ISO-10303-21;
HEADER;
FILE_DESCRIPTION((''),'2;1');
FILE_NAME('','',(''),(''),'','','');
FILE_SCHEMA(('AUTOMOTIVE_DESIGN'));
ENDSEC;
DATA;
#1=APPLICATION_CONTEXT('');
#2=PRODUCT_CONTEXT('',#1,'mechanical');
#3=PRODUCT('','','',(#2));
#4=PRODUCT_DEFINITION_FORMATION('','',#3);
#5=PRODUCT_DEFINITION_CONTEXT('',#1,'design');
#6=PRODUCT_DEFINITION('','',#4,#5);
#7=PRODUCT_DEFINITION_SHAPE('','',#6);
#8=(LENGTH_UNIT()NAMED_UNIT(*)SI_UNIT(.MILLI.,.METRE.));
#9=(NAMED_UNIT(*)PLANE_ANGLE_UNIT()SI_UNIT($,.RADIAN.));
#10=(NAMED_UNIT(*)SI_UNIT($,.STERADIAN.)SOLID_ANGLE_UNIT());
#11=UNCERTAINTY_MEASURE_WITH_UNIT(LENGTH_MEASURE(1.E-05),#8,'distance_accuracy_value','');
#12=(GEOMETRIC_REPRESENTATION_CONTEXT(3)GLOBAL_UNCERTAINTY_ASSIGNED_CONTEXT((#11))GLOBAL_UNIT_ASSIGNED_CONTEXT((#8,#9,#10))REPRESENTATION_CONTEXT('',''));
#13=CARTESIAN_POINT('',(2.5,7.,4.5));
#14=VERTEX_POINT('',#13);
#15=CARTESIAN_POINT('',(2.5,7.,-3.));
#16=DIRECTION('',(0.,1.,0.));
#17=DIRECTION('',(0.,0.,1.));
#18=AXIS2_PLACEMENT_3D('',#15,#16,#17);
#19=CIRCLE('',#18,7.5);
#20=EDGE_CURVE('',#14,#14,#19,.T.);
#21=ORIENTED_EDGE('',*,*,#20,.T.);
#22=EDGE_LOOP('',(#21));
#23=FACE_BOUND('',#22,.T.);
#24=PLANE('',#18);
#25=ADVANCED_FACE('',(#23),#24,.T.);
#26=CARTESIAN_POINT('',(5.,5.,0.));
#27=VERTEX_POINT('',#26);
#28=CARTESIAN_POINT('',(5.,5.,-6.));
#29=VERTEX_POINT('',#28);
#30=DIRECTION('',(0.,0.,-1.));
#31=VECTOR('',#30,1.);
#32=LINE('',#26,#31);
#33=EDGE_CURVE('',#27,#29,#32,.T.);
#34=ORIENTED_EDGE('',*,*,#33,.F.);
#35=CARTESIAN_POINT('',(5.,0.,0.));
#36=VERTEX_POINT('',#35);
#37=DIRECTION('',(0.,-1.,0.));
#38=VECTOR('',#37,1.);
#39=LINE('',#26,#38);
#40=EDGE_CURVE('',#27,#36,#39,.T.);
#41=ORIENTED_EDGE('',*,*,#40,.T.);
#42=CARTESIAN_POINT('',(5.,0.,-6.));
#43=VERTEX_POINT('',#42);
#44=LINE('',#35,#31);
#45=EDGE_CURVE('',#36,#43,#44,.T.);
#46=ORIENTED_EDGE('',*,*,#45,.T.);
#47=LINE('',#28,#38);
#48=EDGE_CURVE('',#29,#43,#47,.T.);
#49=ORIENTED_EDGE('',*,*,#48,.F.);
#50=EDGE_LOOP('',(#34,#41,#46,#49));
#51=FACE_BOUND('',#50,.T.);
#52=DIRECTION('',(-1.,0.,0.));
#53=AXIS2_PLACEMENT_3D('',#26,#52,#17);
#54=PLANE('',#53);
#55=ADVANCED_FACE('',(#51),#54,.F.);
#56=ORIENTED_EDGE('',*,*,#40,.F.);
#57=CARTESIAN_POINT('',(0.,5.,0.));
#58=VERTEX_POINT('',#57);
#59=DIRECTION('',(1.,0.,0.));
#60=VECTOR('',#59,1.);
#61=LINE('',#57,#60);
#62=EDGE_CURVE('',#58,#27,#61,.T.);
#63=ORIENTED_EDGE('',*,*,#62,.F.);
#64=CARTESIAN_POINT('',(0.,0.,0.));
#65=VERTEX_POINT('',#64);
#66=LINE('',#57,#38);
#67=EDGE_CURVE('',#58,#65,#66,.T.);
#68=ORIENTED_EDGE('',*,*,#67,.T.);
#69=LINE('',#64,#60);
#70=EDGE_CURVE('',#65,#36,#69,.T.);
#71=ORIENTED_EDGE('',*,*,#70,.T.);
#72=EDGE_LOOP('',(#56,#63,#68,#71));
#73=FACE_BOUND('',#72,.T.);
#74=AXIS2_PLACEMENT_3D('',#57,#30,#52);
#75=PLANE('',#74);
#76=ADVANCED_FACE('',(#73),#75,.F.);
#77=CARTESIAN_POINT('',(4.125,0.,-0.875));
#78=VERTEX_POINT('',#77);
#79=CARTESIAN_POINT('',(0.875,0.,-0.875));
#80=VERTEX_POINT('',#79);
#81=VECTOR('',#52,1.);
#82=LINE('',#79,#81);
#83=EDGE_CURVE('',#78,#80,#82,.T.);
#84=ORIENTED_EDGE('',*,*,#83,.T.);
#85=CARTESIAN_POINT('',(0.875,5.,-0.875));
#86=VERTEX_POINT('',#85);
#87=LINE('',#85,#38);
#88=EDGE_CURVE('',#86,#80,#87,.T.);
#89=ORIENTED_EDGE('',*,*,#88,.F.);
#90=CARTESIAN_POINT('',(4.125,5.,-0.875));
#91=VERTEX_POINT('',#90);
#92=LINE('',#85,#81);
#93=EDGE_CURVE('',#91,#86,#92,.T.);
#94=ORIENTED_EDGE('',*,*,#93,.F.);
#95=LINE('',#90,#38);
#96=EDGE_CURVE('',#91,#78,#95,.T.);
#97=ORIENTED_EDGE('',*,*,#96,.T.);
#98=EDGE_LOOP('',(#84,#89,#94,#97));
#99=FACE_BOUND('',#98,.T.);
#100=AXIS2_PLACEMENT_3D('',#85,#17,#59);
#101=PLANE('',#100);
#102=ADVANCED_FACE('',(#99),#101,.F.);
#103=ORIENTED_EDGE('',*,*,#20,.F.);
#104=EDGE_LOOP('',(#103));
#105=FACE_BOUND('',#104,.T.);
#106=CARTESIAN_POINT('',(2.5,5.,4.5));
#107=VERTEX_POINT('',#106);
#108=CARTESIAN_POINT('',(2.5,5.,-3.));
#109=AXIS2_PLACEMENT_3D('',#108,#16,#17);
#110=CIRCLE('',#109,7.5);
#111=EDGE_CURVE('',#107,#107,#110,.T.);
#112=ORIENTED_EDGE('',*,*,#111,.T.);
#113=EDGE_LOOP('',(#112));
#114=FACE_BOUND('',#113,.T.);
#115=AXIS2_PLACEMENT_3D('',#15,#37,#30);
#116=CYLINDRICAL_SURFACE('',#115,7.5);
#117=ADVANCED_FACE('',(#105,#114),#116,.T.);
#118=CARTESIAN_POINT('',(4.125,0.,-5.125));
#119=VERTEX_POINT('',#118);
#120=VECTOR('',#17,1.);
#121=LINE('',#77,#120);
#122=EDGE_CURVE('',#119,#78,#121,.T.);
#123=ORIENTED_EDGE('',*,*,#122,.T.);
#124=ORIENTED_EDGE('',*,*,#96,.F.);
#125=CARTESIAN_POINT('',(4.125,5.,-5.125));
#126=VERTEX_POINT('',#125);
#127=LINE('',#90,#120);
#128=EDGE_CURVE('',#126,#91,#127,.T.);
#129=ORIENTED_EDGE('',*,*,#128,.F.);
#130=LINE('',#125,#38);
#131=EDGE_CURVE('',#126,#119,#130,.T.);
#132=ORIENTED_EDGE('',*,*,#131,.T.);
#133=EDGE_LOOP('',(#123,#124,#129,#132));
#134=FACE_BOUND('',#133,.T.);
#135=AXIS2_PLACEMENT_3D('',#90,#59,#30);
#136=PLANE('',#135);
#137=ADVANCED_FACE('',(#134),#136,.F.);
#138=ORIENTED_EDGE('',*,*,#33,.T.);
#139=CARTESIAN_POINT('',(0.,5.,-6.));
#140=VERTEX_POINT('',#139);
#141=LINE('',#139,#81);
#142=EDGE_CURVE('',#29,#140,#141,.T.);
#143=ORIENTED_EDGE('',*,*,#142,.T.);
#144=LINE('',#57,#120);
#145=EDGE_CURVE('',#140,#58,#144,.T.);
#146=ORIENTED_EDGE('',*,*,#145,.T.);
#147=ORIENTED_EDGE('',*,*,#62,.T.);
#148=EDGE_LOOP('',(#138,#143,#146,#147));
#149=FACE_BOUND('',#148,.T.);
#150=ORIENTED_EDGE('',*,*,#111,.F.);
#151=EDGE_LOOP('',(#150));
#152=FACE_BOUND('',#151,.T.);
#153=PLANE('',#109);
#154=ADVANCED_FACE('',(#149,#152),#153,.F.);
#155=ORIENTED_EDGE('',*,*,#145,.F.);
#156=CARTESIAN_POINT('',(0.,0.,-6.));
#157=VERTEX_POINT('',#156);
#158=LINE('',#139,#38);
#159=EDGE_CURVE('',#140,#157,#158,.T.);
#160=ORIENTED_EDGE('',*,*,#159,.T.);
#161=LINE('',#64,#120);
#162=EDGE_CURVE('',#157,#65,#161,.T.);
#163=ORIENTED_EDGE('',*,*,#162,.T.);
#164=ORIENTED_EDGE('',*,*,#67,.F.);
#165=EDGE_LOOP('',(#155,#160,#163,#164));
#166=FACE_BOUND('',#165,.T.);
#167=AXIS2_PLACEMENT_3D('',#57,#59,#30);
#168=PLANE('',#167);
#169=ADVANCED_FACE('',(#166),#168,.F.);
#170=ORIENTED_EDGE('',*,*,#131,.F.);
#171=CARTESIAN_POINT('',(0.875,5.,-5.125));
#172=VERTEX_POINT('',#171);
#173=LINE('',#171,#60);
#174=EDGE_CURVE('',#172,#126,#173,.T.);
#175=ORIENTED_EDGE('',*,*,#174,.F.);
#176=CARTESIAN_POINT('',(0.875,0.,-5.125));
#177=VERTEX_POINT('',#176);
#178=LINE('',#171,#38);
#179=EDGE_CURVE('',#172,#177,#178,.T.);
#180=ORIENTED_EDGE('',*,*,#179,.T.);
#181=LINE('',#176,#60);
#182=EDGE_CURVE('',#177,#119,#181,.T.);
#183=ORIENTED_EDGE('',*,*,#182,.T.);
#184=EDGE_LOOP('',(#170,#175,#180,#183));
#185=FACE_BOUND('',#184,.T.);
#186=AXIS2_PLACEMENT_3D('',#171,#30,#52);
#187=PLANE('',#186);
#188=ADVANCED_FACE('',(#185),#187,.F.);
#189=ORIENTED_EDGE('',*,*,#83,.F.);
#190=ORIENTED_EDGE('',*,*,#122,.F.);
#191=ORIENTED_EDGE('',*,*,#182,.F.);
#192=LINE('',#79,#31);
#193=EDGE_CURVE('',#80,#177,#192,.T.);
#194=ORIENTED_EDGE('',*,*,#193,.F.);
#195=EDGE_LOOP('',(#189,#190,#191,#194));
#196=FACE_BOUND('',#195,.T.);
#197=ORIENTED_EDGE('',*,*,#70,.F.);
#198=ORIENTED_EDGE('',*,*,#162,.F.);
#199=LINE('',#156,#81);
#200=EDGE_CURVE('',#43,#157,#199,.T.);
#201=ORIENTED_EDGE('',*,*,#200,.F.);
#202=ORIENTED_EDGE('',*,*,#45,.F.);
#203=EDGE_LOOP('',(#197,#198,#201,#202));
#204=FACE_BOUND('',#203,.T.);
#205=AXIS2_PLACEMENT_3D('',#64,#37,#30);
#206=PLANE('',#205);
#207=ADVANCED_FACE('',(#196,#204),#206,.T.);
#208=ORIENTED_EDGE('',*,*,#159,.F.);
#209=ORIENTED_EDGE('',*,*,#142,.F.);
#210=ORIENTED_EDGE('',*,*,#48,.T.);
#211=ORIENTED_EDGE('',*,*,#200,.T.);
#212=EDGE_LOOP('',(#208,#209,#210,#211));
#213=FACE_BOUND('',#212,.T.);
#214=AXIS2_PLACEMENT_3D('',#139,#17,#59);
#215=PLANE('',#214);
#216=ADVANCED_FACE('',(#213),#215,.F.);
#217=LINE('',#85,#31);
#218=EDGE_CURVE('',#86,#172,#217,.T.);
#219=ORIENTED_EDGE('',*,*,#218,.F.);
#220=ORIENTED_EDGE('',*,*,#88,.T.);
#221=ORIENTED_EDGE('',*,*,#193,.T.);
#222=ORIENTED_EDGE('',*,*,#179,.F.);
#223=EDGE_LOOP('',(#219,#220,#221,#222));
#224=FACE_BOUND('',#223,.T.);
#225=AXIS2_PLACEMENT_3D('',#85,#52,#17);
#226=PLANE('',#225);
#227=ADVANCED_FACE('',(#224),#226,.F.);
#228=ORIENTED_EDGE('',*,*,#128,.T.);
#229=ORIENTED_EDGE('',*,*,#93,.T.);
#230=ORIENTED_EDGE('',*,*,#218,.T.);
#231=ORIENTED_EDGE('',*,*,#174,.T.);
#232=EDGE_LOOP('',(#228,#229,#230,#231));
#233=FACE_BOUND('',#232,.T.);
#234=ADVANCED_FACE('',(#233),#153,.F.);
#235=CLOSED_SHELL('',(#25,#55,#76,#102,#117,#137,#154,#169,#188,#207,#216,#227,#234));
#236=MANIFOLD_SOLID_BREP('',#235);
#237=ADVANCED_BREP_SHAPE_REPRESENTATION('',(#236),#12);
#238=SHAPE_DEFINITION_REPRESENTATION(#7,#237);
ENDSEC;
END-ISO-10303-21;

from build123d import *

# Parameters (mm, degrees)
SKETCH1_W           = 5
SKETCH1_H           = 6
BOSS_EXTRUDE1_DEPTH = 5
SKETCH2_W           = 3.25
SKETCH2_H           = 4.25
CUT_EXTRUDE1_DEPTH  = 5
SKETCH3_R           = 7.5
BOSS_EXTRUDE2_DEPTH = 2


with BuildPart() as part:
    # Sketch1 → Boss-Extrude1 (new body)
    with BuildSketch(Plane(origin=(0, 0, 0), x_dir=(1, 0, 0), z_dir=(0, 1, 0))):
        with Locations((2.5, 3)):
            Rectangle(SKETCH1_W, SKETCH1_H)
    extrude(amount=BOSS_EXTRUDE1_DEPTH)

    # Sketch2 → Cut-Extrude1 (cut)
    with BuildSketch(Plane.XZ):
        with Locations((2.5, -3)):
            Rectangle(SKETCH2_W, SKETCH2_H)
    extrude(amount=-CUT_EXTRUDE1_DEPTH, mode=Mode.SUBTRACT)

    # Sketch3 → Boss-Extrude2 (add)
    with BuildSketch(Plane(origin=(0, 5, 0), x_dir=(1, 0, 0), z_dir=(0, 1, 0))):
        with Locations(Location((2.5, 3, 0), (0, 0, 270))):
            Circle(SKETCH3_R)
    extrude(amount=BOSS_EXTRUDE2_DEPTH)


solid = part.part
